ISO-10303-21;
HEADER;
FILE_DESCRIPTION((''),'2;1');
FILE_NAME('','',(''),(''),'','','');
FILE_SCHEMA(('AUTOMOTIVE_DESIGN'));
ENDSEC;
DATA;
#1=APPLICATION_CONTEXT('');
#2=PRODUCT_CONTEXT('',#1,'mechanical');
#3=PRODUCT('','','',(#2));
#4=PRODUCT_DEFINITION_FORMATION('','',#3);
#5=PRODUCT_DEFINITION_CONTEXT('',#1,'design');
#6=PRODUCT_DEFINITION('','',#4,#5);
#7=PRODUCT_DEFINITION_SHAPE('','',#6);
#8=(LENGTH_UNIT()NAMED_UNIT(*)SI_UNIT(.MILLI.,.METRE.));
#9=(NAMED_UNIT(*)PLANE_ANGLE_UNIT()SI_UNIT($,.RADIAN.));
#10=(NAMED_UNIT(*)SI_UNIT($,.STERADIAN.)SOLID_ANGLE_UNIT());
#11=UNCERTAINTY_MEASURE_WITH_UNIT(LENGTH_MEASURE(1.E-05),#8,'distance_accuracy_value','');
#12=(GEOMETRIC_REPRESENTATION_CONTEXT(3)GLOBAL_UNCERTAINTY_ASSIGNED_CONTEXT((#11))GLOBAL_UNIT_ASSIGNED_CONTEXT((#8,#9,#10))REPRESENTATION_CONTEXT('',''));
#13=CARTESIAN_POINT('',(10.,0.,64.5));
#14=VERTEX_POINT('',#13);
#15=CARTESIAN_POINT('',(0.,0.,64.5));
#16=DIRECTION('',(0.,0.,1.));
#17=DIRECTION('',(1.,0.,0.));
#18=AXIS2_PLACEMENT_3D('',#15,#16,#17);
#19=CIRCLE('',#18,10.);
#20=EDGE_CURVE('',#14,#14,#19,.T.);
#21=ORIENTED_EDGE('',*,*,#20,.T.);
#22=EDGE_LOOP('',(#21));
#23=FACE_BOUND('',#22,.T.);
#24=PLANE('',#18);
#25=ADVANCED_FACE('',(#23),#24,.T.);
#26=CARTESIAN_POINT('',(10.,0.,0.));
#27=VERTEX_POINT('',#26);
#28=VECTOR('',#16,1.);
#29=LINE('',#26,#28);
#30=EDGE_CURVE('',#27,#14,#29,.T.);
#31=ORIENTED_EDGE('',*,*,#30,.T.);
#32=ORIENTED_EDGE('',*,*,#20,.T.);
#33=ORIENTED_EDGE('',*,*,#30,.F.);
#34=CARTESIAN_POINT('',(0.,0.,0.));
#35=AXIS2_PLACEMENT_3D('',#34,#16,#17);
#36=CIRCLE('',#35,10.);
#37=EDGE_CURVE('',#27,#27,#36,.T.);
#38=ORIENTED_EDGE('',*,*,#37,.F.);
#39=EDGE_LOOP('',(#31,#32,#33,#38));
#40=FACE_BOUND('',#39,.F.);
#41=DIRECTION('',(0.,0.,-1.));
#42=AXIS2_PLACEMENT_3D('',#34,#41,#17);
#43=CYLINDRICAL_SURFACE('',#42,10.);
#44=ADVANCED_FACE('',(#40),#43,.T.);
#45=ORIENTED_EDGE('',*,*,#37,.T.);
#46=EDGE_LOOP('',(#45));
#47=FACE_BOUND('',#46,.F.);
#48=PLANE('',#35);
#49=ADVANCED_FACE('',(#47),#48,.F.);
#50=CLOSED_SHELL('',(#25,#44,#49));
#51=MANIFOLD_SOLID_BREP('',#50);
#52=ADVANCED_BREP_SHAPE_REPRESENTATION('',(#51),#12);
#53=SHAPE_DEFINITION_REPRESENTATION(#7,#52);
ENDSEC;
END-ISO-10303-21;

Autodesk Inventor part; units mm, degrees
ref_plane "YZ Plane" through (0, 0, 0) normal (1, 0, 0) x (0, 1, 0)
ref_plane "XZ Plane" through (0, 0, 0) normal (0, 1, 0) x (-1, 0, 0)
ref_plane "XY Plane" through (0, 0, 0) normal (0, 0, 1) x (1, 0, 0)
sketch "Boceto3" plane through (0, 0, 0) normal (0, 0, 1) x (1, 0, 0)
  circle A0 centre (0, 0) radius 10
  dimension "d1" = 20
extrude "Extrusión1" add sketch "Boceto3" along normal blind 64.5
